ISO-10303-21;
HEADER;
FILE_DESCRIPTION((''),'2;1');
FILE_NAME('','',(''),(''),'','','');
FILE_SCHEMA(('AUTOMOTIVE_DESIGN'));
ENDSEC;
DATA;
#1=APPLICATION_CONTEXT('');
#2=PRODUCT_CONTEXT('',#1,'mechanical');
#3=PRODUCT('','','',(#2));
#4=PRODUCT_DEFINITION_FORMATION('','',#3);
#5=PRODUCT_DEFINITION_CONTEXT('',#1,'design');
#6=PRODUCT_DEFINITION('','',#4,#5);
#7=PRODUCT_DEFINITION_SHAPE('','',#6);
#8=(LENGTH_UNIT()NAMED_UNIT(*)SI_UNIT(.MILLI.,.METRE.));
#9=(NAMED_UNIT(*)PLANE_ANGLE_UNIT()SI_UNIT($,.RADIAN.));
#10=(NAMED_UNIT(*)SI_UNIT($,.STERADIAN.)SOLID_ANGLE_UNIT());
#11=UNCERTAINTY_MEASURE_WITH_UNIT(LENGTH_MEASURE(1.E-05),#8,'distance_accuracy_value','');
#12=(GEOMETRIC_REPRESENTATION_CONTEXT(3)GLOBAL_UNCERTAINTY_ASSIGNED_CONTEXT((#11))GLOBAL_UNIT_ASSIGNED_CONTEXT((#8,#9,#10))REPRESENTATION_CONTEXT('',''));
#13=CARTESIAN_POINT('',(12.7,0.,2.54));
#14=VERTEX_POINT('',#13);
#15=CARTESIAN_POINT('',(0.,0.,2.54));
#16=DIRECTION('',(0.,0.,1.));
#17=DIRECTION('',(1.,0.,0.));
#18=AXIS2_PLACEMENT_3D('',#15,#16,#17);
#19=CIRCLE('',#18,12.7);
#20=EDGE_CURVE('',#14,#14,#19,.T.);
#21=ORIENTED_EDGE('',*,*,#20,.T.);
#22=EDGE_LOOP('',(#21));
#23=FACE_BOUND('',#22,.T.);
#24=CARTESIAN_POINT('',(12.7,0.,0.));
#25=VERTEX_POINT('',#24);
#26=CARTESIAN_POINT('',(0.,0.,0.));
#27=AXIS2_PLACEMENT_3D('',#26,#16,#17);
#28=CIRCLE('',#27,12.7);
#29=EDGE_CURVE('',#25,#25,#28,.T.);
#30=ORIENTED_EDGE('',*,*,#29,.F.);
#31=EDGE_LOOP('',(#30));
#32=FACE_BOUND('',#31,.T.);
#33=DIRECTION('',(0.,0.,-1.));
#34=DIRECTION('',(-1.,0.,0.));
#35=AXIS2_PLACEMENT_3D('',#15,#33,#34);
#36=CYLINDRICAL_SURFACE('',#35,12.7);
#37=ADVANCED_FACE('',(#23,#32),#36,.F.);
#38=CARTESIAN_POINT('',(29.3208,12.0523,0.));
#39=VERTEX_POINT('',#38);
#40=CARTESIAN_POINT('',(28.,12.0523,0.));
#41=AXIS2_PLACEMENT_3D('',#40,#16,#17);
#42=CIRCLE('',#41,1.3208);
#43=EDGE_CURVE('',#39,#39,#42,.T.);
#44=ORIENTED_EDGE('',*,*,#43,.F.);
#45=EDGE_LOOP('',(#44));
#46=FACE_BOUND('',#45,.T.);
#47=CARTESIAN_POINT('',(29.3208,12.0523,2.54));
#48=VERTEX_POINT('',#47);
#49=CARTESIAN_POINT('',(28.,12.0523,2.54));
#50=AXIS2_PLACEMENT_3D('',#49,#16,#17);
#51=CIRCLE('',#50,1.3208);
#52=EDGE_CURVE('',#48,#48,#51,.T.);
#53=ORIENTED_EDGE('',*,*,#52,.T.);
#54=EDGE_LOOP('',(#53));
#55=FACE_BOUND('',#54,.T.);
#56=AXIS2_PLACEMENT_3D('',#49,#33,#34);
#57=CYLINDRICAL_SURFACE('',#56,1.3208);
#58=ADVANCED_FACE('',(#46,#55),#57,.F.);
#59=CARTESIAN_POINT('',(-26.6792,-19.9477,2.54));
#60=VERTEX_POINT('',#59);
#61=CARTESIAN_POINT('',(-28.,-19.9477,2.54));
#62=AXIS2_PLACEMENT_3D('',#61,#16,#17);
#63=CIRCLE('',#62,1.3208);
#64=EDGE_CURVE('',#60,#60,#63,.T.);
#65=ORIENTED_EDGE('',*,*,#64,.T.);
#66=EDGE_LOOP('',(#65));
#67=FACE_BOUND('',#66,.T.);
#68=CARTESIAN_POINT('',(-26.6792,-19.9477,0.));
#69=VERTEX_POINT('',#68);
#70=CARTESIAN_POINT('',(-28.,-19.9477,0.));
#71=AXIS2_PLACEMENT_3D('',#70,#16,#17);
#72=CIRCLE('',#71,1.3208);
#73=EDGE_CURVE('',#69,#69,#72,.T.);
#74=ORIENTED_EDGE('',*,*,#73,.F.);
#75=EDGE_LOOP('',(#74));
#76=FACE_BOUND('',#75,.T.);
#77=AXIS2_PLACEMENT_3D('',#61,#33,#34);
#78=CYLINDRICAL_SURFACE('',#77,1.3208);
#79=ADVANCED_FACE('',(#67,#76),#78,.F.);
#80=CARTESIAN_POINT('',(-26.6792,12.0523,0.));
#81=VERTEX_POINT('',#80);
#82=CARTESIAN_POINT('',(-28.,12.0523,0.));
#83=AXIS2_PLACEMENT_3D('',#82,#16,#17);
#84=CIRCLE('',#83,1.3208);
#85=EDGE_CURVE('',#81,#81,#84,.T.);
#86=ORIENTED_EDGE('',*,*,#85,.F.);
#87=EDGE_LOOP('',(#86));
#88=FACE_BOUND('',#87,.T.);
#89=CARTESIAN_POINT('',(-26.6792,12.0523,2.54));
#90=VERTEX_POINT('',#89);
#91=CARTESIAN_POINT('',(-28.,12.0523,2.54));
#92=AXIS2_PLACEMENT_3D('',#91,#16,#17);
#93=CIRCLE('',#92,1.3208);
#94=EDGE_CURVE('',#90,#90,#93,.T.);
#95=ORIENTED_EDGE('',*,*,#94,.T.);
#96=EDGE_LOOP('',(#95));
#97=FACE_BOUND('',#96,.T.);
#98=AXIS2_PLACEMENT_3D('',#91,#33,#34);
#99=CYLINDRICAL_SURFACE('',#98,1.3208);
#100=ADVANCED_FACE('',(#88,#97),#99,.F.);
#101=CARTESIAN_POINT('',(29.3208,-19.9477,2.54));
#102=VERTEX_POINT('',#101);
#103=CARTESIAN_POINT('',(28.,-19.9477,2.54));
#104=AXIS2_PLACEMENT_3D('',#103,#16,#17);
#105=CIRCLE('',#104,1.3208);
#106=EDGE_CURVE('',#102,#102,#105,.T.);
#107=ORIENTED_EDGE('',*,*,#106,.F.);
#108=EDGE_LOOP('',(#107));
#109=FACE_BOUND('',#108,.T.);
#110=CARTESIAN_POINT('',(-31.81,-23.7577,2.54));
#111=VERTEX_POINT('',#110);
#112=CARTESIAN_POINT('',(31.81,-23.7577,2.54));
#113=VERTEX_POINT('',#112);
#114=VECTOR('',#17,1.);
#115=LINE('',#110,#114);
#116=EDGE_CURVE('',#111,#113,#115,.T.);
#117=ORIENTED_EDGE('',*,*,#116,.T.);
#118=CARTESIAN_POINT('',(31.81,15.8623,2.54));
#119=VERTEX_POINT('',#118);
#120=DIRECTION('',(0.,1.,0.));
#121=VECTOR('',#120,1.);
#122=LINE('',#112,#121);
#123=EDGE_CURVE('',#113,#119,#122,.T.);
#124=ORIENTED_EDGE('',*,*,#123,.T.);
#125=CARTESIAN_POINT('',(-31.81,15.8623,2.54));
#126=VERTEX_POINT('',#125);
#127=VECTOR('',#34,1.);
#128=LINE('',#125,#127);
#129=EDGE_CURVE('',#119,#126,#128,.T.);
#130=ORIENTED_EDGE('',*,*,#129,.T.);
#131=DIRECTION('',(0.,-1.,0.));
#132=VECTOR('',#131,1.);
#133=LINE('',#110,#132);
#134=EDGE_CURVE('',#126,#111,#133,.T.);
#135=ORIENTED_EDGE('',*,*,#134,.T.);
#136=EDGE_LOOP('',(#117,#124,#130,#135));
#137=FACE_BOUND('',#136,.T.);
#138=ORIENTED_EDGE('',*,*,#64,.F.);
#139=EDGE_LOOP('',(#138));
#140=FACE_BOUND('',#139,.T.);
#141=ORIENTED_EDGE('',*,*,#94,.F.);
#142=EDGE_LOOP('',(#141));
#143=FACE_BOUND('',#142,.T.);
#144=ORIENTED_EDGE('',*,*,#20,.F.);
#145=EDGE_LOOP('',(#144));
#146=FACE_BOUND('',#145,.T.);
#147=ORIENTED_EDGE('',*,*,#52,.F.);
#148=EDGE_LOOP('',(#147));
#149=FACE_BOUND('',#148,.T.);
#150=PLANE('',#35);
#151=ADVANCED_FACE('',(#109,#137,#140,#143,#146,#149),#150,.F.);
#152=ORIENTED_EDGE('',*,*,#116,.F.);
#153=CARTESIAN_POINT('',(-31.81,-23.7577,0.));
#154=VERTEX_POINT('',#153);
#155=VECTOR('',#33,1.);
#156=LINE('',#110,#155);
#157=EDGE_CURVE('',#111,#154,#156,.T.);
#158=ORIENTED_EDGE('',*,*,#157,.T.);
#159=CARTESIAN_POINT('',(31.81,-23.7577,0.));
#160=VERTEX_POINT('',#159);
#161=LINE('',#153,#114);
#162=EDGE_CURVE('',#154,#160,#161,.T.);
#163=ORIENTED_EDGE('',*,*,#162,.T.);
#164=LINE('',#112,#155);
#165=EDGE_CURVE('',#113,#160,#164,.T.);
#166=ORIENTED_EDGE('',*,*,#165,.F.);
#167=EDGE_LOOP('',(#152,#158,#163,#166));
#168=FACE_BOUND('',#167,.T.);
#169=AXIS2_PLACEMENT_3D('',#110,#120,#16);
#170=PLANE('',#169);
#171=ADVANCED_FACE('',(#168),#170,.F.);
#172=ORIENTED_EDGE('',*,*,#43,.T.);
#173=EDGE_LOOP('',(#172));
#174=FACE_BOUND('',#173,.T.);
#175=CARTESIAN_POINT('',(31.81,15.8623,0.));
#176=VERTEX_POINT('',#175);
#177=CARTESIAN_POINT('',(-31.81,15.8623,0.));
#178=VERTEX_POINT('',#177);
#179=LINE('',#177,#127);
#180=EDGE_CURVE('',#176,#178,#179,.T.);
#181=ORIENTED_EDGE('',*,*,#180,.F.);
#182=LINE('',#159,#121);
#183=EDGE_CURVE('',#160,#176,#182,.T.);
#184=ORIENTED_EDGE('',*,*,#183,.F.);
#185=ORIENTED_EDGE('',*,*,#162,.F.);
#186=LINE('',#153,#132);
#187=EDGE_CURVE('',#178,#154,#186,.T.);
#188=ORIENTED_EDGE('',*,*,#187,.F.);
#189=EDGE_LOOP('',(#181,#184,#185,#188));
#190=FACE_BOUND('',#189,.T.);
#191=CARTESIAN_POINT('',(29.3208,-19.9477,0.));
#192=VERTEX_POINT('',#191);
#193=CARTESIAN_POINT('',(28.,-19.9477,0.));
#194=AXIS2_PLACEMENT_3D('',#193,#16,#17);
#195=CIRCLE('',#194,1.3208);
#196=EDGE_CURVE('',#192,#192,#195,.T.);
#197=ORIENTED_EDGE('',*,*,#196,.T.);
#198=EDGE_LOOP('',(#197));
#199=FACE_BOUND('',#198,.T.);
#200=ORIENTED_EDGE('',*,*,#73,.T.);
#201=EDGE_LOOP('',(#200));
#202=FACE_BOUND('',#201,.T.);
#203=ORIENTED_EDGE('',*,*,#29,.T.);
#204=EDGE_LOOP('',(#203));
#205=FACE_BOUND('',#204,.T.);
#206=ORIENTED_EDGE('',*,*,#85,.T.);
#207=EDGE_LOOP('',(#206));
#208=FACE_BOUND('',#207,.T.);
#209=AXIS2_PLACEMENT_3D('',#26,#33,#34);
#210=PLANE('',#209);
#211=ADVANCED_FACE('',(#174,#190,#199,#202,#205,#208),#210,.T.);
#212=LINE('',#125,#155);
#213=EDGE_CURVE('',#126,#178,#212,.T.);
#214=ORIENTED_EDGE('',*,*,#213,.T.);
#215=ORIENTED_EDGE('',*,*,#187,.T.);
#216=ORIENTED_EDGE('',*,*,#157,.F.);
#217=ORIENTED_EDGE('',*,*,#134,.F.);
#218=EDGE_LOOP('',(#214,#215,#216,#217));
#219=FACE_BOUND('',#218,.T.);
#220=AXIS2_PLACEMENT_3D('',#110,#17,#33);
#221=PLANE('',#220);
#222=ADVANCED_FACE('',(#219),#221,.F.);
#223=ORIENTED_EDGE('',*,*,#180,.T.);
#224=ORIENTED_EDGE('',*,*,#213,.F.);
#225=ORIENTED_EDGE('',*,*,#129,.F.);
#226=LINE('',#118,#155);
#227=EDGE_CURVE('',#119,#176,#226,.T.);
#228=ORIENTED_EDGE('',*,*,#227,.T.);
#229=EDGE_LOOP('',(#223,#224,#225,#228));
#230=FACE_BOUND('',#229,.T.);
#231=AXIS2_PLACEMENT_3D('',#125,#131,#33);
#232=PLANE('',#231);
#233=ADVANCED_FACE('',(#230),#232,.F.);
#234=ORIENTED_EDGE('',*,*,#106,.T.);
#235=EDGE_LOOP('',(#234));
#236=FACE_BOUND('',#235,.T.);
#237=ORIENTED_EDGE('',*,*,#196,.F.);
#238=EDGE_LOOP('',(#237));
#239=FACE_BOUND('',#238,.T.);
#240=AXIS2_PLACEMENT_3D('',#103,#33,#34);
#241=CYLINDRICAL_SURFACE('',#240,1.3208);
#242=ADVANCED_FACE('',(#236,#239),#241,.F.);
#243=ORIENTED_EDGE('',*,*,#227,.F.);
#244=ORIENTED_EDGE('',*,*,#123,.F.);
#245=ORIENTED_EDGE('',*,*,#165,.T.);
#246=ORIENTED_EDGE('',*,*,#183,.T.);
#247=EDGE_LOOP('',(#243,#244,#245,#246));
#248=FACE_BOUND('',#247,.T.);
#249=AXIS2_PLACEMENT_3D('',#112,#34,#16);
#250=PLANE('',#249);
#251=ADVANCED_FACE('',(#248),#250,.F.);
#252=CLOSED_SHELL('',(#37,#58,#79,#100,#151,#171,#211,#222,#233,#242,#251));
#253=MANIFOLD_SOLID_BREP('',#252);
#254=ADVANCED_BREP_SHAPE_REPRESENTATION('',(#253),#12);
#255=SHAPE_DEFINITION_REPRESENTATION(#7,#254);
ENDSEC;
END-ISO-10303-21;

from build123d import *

# Parameters (mm, degrees)
SKETCH2_W           = 63.62
SKETCH2_H           = 39.62
SKETCH2_R           = 1.3208
SKETCH2_R_2         = 12.7
BOSS_EXTRUDE1_DEPTH = 2.54


with BuildPart() as part:
    # Sketch2 → Boss-Extrude1 (new body)
    with BuildSketch(Plane.XY):
        with Locations((0, -3.9477)):
            Rectangle(SKETCH2_W, SKETCH2_H)
        with Locations((-28, -19.9477)):
            Circle(SKETCH2_R, mode=Mode.SUBTRACT)
        with Locations((28, -19.9477)):
            Circle(SKETCH2_R, mode=Mode.SUBTRACT)
        with Locations((28, 12.0523)):
            Circle(SKETCH2_R, mode=Mode.SUBTRACT)
        with Locations((-28, 12.0523)):
            Circle(SKETCH2_R, mode=Mode.SUBTRACT)
        Circle(SKETCH2_R_2, mode=Mode.SUBTRACT)
    extrude(amount=BOSS_EXTRUDE1_DEPTH)


solid = part.part
